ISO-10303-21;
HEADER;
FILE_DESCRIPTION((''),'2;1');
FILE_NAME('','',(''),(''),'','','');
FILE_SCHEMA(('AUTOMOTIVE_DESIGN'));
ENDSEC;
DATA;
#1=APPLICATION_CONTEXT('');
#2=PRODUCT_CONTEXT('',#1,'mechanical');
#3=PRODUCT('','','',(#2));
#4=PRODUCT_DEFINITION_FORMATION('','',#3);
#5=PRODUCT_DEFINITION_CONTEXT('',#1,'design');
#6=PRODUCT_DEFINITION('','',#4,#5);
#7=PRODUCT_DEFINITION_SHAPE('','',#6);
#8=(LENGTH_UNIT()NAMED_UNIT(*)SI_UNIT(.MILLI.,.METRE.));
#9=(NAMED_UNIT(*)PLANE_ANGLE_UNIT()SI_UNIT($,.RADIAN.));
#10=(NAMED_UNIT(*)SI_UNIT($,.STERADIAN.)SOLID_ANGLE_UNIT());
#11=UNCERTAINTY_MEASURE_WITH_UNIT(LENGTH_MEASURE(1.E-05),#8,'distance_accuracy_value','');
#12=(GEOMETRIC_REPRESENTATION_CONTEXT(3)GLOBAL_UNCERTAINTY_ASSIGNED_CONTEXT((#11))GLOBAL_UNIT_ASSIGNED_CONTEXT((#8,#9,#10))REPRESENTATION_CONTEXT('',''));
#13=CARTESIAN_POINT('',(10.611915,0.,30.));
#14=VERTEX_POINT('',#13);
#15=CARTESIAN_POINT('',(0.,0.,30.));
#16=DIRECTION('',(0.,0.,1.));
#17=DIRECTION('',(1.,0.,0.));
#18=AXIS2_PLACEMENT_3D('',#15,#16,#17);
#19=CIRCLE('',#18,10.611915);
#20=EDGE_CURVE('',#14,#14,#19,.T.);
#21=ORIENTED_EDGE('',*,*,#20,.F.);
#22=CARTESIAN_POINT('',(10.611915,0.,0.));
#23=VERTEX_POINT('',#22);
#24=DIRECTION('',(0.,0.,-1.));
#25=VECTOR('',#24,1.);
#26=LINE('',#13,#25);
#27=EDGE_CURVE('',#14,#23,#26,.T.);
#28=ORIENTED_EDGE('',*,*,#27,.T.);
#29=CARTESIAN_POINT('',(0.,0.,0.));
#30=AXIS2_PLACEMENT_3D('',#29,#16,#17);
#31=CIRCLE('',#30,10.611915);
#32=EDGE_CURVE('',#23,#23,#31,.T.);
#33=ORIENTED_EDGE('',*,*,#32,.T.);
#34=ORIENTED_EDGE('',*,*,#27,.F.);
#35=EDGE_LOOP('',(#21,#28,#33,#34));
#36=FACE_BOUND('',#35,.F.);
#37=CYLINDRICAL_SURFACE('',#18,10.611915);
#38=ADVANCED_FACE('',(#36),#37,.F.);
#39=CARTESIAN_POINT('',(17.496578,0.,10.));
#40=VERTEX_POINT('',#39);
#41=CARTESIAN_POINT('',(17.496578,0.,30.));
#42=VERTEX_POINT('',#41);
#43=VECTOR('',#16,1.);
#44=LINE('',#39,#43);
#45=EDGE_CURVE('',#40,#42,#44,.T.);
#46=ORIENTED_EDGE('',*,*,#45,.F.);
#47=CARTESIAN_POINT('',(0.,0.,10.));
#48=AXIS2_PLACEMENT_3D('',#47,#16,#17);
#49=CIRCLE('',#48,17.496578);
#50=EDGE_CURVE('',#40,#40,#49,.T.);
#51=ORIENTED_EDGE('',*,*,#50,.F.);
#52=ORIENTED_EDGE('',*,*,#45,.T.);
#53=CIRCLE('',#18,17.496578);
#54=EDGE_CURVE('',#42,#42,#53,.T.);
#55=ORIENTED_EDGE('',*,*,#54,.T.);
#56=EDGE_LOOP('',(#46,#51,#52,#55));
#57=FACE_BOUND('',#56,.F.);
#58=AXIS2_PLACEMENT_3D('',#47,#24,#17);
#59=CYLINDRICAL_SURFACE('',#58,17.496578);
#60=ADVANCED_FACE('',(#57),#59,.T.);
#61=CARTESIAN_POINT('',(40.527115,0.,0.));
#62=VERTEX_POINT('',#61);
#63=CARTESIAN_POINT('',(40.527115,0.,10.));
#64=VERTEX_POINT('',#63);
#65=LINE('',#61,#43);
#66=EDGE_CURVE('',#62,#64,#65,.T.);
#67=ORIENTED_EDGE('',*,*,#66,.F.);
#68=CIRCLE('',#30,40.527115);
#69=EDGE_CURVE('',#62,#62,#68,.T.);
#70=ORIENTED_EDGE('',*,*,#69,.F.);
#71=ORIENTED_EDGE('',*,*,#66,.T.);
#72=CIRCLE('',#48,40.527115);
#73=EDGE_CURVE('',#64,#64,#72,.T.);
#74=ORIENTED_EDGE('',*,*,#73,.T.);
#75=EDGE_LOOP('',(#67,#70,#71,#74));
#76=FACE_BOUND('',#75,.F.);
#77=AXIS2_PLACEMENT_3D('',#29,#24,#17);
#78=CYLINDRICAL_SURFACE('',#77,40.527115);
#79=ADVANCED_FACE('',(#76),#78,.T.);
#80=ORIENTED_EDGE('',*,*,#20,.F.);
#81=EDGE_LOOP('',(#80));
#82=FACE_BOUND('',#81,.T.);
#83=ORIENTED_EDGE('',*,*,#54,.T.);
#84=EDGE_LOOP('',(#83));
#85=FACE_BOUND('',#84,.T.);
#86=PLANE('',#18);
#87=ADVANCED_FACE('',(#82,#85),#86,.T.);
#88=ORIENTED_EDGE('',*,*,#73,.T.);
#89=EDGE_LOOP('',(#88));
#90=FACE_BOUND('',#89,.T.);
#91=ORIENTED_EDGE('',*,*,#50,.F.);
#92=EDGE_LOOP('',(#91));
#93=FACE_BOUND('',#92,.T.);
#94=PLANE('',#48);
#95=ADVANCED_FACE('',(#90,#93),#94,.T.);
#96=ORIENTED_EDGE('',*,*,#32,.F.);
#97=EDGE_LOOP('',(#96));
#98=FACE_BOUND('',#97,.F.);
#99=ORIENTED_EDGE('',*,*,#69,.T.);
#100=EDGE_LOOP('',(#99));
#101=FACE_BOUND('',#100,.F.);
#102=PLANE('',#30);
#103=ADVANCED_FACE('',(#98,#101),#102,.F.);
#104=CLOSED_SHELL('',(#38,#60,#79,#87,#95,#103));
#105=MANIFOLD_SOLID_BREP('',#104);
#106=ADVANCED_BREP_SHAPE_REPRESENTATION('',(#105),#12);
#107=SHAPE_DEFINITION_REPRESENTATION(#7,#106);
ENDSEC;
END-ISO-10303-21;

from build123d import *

# Parameters (mm, degrees)
SKETCH_R     = 40.527115
PAD_DEPTH    = 10
SKETCH001_R  = 17.496578
PAD001_DEPTH = 20
SKETCH002_R  = 10.611915
POCKET_DEPTH = 30


with BuildPart() as part:
    # Sketch → Pad (new body)
    with BuildSketch(Plane.XY):
        Circle(SKETCH_R)
    extrude(amount=PAD_DEPTH)

    # Sketch001 → Pad001 (new body)
    with BuildSketch(Plane.XY.offset(10)):
        Circle(SKETCH001_R)
    extrude(amount=PAD001_DEPTH)

    # Sketch002 → Pocket (cut)
    with BuildSketch(Plane.XY.offset(30)):
        Circle(SKETCH002_R)
    extrude(amount=-POCKET_DEPTH, mode=Mode.SUBTRACT)


solid = part.part
